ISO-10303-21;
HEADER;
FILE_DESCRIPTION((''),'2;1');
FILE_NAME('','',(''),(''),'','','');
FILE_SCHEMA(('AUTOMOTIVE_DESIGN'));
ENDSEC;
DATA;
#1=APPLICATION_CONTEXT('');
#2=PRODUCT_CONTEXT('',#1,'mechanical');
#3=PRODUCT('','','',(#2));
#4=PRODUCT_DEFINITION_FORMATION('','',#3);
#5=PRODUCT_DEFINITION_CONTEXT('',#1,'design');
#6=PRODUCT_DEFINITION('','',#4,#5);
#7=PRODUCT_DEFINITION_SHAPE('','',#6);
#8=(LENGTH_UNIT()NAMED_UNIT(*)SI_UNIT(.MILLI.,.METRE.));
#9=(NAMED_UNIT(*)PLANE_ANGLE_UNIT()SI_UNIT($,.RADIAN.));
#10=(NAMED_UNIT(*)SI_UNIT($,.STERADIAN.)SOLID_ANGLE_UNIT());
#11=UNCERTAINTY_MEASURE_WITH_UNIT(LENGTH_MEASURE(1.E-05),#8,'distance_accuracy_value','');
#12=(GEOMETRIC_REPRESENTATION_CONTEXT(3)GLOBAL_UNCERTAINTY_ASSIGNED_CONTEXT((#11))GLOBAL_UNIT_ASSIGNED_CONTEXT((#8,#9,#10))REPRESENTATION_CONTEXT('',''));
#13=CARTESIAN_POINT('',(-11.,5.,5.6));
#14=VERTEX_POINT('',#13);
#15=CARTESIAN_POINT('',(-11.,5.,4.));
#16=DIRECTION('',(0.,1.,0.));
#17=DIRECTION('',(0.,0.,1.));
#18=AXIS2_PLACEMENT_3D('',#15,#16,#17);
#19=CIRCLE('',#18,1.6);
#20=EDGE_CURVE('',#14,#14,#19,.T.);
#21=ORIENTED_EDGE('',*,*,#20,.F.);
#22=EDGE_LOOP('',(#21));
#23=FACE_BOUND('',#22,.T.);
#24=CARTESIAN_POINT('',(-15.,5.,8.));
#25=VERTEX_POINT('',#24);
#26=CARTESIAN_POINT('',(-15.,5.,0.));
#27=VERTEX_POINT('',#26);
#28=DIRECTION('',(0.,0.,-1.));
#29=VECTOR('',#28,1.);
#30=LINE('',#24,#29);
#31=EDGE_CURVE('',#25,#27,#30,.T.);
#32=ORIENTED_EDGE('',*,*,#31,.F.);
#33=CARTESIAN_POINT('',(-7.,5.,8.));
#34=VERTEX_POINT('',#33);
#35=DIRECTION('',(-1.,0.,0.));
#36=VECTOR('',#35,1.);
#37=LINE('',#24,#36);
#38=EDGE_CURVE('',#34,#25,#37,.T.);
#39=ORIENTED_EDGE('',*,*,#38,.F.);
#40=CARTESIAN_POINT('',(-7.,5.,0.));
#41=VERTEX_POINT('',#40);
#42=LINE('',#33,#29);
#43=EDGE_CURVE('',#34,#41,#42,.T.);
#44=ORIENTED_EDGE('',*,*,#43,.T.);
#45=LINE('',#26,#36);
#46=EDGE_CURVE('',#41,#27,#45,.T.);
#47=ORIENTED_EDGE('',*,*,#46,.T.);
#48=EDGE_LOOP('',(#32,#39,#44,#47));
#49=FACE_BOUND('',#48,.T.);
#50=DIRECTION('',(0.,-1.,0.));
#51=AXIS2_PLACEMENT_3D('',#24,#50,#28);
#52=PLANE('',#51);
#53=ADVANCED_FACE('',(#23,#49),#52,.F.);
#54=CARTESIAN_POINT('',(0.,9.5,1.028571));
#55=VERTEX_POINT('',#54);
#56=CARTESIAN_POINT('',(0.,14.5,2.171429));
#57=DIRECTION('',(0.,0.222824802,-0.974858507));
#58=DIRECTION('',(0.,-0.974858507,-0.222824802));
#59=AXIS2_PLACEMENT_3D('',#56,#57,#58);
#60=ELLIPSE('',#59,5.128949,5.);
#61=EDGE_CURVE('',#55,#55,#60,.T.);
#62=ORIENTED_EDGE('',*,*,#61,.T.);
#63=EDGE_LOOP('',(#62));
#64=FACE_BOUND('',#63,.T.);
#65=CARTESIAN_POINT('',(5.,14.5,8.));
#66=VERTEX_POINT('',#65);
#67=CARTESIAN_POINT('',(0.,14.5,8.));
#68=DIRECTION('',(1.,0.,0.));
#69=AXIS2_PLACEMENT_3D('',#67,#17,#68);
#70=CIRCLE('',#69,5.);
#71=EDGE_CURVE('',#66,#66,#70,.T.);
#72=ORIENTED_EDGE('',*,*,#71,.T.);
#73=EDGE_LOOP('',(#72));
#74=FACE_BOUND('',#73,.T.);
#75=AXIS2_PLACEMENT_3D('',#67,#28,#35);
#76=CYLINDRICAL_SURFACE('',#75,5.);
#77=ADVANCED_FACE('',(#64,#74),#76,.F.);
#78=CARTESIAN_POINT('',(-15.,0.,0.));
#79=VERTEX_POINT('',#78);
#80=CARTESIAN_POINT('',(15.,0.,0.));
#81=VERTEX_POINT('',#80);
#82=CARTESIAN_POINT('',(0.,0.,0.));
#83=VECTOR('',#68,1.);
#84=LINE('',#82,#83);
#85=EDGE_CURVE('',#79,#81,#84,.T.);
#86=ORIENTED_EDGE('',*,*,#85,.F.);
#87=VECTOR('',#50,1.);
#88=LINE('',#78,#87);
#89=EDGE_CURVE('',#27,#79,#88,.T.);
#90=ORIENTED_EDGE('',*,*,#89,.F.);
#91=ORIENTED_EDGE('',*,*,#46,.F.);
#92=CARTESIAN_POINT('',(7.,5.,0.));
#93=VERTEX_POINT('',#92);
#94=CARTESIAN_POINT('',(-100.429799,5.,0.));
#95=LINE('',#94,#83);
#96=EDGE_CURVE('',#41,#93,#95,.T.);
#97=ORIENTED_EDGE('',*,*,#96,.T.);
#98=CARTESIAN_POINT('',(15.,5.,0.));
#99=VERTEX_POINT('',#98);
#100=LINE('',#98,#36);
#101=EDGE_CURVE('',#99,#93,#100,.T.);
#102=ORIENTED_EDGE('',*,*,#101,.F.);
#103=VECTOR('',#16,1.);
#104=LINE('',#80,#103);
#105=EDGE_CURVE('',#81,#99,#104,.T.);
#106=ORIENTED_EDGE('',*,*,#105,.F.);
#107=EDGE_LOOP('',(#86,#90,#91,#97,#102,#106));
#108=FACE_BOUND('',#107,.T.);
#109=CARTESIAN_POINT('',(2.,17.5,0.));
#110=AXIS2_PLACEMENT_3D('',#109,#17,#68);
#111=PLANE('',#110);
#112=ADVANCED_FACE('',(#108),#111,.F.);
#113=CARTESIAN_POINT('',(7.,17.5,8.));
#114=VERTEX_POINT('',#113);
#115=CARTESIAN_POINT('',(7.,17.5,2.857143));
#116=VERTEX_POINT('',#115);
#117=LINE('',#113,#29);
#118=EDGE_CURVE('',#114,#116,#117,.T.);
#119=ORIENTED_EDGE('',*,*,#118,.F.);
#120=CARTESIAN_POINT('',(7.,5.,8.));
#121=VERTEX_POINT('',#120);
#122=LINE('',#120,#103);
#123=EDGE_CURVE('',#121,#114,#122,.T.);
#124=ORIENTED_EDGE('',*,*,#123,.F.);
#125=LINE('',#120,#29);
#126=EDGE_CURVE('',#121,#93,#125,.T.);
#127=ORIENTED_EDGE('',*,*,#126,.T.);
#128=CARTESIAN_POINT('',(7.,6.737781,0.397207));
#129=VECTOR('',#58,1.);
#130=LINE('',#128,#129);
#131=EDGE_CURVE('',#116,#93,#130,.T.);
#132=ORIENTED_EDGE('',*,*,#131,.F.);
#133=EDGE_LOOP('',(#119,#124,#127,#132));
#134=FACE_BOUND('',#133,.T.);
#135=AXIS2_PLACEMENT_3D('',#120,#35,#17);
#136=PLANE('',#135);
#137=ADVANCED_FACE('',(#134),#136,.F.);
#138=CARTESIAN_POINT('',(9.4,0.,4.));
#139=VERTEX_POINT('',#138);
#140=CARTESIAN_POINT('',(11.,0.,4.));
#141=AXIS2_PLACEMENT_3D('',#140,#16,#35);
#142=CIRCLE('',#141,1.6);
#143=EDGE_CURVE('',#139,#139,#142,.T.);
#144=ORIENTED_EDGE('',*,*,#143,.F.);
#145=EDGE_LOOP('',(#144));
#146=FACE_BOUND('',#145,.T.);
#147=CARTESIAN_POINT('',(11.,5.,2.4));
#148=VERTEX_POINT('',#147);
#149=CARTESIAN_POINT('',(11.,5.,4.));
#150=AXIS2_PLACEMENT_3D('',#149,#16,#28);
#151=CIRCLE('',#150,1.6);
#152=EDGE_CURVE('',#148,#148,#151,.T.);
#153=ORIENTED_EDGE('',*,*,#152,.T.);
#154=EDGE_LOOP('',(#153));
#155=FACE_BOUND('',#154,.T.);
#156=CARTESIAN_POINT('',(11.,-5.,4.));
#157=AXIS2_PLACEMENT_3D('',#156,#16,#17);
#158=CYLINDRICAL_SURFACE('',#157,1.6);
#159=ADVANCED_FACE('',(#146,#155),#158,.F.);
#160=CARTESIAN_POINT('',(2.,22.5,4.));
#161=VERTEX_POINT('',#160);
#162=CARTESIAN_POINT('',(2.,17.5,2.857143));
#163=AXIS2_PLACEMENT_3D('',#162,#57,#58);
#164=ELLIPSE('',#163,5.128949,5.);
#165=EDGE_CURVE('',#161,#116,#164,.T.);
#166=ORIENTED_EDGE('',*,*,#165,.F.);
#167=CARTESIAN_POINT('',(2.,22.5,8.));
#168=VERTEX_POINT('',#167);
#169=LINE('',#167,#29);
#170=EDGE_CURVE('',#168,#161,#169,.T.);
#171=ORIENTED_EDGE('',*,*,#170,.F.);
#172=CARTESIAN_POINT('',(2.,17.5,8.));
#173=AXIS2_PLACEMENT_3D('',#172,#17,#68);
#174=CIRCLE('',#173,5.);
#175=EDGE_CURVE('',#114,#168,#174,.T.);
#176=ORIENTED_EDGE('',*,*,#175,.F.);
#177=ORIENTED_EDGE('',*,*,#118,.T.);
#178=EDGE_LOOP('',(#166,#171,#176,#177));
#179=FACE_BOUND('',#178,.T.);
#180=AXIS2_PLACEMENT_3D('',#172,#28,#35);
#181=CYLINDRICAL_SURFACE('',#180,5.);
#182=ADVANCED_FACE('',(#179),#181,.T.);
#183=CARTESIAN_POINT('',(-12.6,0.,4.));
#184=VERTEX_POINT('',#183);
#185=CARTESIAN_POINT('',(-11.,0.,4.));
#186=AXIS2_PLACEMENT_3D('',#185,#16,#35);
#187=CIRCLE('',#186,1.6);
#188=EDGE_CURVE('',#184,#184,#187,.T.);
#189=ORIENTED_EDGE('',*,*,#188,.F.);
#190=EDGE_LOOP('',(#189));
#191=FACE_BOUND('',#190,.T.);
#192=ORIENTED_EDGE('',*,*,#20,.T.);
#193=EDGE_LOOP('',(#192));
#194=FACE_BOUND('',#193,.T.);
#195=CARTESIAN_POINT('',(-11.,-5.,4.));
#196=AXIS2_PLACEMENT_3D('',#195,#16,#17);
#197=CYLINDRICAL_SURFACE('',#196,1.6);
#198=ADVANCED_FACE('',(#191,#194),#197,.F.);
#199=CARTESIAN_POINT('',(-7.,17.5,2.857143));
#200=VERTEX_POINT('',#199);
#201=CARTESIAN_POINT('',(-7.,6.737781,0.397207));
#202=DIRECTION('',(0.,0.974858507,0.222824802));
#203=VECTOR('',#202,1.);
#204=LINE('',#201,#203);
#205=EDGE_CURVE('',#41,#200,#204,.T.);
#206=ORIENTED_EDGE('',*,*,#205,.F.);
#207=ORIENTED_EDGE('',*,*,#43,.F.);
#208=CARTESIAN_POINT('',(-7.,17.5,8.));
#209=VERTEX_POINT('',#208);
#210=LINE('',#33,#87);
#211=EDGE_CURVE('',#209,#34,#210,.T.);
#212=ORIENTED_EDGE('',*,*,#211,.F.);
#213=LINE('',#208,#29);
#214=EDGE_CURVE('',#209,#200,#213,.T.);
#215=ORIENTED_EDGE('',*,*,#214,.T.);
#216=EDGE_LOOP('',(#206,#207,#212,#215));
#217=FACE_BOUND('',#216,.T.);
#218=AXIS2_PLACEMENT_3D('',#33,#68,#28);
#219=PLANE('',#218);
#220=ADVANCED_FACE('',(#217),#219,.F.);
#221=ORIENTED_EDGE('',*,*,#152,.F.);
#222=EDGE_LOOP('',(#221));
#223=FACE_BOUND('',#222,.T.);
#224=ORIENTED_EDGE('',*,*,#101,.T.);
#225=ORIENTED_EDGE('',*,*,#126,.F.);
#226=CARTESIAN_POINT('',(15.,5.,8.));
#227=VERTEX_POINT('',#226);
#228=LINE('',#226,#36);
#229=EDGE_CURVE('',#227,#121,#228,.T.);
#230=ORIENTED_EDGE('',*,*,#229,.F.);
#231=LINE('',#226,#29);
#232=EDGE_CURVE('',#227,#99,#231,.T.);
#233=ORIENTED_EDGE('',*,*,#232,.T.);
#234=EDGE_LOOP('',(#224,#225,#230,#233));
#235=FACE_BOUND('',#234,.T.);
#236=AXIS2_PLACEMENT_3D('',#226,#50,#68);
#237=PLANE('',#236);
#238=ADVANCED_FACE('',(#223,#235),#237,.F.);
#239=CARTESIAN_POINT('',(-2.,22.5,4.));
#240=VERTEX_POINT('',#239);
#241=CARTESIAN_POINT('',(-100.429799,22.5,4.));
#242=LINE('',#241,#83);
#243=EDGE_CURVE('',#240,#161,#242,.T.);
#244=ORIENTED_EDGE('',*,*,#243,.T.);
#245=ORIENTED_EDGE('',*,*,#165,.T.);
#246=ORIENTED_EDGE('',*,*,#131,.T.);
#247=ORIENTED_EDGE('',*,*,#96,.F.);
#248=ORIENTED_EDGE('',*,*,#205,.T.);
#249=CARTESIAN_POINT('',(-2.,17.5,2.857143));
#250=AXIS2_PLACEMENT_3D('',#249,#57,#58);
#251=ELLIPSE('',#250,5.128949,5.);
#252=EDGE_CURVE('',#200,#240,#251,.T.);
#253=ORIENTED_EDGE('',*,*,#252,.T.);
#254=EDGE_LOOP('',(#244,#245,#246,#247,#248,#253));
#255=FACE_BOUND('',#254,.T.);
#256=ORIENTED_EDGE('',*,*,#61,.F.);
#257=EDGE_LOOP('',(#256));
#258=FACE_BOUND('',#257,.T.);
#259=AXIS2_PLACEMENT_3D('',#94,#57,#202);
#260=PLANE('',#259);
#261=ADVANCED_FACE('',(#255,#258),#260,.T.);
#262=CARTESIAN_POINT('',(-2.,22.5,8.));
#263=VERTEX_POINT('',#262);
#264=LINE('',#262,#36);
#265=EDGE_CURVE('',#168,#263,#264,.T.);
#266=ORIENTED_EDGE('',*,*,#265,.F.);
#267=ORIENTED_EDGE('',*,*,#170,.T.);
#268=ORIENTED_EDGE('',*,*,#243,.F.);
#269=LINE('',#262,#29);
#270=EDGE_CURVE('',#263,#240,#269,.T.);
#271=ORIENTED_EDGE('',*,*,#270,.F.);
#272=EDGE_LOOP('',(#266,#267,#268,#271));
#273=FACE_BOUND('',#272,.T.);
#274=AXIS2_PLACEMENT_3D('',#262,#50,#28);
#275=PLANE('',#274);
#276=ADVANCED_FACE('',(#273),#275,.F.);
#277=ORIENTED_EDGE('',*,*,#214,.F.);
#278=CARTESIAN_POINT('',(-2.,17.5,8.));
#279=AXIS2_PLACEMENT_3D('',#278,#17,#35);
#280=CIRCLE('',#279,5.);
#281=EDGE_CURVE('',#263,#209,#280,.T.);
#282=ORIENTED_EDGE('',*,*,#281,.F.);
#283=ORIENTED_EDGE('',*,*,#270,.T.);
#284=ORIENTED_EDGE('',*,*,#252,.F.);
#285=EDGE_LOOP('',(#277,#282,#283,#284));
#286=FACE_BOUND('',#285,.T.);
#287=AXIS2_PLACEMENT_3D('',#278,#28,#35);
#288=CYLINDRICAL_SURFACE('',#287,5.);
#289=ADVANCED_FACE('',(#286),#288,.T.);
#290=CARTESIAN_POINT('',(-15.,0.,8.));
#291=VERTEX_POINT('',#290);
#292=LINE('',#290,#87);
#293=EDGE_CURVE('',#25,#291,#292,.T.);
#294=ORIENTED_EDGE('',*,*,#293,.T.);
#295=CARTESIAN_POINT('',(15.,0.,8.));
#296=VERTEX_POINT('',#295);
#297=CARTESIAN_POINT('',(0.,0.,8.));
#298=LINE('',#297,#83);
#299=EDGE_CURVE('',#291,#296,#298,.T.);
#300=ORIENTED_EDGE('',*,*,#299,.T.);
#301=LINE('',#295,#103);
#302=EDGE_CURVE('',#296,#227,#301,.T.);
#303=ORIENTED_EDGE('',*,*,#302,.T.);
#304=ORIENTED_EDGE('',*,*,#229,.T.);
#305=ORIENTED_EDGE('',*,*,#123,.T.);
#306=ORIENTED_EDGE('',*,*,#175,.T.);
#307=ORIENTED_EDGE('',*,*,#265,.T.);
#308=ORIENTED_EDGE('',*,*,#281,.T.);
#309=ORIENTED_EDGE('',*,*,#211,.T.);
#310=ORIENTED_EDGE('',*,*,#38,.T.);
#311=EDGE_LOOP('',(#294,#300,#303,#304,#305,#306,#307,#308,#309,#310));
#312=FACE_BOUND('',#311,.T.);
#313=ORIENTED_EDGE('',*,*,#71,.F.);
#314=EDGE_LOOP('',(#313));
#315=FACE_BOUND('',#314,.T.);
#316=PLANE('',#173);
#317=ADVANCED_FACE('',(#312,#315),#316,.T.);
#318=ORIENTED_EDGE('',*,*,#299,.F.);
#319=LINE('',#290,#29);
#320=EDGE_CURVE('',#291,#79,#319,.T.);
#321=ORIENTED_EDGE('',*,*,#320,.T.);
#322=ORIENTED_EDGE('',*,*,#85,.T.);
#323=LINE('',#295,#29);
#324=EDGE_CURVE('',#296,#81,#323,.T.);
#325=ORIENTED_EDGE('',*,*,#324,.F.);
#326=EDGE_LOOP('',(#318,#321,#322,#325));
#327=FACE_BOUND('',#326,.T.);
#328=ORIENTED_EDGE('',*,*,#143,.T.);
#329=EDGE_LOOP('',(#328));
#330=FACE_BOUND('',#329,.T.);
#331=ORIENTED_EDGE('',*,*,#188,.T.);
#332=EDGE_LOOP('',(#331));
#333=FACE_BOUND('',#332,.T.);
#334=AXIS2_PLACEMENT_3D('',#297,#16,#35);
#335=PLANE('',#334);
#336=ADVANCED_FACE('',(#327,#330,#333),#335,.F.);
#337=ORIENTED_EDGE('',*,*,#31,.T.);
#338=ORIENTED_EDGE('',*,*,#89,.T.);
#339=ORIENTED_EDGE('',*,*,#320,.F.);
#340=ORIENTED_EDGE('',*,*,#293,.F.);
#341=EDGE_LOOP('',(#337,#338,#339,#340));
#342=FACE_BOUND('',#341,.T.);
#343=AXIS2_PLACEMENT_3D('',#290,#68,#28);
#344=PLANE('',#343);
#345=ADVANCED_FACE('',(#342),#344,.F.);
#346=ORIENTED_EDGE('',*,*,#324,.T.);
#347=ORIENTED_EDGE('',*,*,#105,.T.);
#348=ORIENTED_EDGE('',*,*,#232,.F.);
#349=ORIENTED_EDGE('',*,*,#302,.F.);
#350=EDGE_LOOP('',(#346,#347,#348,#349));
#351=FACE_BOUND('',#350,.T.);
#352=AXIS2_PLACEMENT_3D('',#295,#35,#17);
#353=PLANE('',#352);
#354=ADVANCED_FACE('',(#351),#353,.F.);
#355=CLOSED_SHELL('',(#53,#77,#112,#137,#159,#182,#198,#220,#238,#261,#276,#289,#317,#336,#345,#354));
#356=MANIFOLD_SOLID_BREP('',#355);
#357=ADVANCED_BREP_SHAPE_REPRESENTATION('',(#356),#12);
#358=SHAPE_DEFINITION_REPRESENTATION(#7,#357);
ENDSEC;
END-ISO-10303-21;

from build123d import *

# Parameters (mm, degrees)
SKETCH1_R               = 5
BOSS_EXTRUDE1_DEPTH     = 8
SKETCH2_R               = 1.6
CUT_EXTRUDE1_DEPTH      = 10
CUT_EXTRUDE2_DEPTH      = 39.34383914
CUT_EXTRUDE2_DEPTH_BACK = 39.34383914


with BuildPart() as part:
    # Sketch1 → Boss-Extrude1 (new body)
    with BuildSketch(Plane.XY):
        with BuildLine():
            Line((0, 0), (-15, 0))
            Line((-15, 0), (-15, 5))
            Line((-15, 5), (-7, 5))
            Line((-7, 5), (-7, 17.5))
            ThreePointArc((-7, 17.5), (-5.535533906, 21.035533906), (-2, 22.5))
            Line((-2, 22.5), (2, 22.5))
            ThreePointArc((2, 22.5), (5.535533906, 21.035533906), (7, 17.5))
            Line((7, 17.5), (7, 5))
            Line((7, 5), (15, 5))
            Line((15, 5), (15, 0))
            Line((15, 0), (0, 0))
        make_face()
        with Locations((0, 14.5)):
            Circle(SKETCH1_R, mode=Mode.SUBTRACT)
    extrude(amount=BOSS_EXTRUDE1_DEPTH)

    # Sketch2 → Cut-Extrude1 (cut)
    with BuildSketch(Plane(origin=(0, 5, 0), x_dir=(1, 0, 0), z_dir=(0, 1, 0))):
        with Locations(Location((-11, -4, 0), (0, 0, 270))):
            Circle(SKETCH2_R)
        with Locations(Location((11, -4, 0), (0, 0, 180))):
            Circle(SKETCH2_R)
    extrude(amount=-CUT_EXTRUDE1_DEPTH, mode=Mode.SUBTRACT)

    # Sketch3 → Cut-Extrude2 (cut, two sides: drawn at the far end of the back side and taken through both)
    with BuildSketch(Plane.ZY.offset(15).offset(-CUT_EXTRUDE2_DEPTH_BACK)):
        Polygon((-12.412584701, -49.305058066), (0, 5), (4, 22.5), (16.412584701, 76.805058066), (-92.197531432, 101.630227468), (-121.022700834, -24.479888665), align=None)
    extrude(amount=CUT_EXTRUDE2_DEPTH + CUT_EXTRUDE2_DEPTH_BACK, mode=Mode.SUBTRACT)


solid = part.part
